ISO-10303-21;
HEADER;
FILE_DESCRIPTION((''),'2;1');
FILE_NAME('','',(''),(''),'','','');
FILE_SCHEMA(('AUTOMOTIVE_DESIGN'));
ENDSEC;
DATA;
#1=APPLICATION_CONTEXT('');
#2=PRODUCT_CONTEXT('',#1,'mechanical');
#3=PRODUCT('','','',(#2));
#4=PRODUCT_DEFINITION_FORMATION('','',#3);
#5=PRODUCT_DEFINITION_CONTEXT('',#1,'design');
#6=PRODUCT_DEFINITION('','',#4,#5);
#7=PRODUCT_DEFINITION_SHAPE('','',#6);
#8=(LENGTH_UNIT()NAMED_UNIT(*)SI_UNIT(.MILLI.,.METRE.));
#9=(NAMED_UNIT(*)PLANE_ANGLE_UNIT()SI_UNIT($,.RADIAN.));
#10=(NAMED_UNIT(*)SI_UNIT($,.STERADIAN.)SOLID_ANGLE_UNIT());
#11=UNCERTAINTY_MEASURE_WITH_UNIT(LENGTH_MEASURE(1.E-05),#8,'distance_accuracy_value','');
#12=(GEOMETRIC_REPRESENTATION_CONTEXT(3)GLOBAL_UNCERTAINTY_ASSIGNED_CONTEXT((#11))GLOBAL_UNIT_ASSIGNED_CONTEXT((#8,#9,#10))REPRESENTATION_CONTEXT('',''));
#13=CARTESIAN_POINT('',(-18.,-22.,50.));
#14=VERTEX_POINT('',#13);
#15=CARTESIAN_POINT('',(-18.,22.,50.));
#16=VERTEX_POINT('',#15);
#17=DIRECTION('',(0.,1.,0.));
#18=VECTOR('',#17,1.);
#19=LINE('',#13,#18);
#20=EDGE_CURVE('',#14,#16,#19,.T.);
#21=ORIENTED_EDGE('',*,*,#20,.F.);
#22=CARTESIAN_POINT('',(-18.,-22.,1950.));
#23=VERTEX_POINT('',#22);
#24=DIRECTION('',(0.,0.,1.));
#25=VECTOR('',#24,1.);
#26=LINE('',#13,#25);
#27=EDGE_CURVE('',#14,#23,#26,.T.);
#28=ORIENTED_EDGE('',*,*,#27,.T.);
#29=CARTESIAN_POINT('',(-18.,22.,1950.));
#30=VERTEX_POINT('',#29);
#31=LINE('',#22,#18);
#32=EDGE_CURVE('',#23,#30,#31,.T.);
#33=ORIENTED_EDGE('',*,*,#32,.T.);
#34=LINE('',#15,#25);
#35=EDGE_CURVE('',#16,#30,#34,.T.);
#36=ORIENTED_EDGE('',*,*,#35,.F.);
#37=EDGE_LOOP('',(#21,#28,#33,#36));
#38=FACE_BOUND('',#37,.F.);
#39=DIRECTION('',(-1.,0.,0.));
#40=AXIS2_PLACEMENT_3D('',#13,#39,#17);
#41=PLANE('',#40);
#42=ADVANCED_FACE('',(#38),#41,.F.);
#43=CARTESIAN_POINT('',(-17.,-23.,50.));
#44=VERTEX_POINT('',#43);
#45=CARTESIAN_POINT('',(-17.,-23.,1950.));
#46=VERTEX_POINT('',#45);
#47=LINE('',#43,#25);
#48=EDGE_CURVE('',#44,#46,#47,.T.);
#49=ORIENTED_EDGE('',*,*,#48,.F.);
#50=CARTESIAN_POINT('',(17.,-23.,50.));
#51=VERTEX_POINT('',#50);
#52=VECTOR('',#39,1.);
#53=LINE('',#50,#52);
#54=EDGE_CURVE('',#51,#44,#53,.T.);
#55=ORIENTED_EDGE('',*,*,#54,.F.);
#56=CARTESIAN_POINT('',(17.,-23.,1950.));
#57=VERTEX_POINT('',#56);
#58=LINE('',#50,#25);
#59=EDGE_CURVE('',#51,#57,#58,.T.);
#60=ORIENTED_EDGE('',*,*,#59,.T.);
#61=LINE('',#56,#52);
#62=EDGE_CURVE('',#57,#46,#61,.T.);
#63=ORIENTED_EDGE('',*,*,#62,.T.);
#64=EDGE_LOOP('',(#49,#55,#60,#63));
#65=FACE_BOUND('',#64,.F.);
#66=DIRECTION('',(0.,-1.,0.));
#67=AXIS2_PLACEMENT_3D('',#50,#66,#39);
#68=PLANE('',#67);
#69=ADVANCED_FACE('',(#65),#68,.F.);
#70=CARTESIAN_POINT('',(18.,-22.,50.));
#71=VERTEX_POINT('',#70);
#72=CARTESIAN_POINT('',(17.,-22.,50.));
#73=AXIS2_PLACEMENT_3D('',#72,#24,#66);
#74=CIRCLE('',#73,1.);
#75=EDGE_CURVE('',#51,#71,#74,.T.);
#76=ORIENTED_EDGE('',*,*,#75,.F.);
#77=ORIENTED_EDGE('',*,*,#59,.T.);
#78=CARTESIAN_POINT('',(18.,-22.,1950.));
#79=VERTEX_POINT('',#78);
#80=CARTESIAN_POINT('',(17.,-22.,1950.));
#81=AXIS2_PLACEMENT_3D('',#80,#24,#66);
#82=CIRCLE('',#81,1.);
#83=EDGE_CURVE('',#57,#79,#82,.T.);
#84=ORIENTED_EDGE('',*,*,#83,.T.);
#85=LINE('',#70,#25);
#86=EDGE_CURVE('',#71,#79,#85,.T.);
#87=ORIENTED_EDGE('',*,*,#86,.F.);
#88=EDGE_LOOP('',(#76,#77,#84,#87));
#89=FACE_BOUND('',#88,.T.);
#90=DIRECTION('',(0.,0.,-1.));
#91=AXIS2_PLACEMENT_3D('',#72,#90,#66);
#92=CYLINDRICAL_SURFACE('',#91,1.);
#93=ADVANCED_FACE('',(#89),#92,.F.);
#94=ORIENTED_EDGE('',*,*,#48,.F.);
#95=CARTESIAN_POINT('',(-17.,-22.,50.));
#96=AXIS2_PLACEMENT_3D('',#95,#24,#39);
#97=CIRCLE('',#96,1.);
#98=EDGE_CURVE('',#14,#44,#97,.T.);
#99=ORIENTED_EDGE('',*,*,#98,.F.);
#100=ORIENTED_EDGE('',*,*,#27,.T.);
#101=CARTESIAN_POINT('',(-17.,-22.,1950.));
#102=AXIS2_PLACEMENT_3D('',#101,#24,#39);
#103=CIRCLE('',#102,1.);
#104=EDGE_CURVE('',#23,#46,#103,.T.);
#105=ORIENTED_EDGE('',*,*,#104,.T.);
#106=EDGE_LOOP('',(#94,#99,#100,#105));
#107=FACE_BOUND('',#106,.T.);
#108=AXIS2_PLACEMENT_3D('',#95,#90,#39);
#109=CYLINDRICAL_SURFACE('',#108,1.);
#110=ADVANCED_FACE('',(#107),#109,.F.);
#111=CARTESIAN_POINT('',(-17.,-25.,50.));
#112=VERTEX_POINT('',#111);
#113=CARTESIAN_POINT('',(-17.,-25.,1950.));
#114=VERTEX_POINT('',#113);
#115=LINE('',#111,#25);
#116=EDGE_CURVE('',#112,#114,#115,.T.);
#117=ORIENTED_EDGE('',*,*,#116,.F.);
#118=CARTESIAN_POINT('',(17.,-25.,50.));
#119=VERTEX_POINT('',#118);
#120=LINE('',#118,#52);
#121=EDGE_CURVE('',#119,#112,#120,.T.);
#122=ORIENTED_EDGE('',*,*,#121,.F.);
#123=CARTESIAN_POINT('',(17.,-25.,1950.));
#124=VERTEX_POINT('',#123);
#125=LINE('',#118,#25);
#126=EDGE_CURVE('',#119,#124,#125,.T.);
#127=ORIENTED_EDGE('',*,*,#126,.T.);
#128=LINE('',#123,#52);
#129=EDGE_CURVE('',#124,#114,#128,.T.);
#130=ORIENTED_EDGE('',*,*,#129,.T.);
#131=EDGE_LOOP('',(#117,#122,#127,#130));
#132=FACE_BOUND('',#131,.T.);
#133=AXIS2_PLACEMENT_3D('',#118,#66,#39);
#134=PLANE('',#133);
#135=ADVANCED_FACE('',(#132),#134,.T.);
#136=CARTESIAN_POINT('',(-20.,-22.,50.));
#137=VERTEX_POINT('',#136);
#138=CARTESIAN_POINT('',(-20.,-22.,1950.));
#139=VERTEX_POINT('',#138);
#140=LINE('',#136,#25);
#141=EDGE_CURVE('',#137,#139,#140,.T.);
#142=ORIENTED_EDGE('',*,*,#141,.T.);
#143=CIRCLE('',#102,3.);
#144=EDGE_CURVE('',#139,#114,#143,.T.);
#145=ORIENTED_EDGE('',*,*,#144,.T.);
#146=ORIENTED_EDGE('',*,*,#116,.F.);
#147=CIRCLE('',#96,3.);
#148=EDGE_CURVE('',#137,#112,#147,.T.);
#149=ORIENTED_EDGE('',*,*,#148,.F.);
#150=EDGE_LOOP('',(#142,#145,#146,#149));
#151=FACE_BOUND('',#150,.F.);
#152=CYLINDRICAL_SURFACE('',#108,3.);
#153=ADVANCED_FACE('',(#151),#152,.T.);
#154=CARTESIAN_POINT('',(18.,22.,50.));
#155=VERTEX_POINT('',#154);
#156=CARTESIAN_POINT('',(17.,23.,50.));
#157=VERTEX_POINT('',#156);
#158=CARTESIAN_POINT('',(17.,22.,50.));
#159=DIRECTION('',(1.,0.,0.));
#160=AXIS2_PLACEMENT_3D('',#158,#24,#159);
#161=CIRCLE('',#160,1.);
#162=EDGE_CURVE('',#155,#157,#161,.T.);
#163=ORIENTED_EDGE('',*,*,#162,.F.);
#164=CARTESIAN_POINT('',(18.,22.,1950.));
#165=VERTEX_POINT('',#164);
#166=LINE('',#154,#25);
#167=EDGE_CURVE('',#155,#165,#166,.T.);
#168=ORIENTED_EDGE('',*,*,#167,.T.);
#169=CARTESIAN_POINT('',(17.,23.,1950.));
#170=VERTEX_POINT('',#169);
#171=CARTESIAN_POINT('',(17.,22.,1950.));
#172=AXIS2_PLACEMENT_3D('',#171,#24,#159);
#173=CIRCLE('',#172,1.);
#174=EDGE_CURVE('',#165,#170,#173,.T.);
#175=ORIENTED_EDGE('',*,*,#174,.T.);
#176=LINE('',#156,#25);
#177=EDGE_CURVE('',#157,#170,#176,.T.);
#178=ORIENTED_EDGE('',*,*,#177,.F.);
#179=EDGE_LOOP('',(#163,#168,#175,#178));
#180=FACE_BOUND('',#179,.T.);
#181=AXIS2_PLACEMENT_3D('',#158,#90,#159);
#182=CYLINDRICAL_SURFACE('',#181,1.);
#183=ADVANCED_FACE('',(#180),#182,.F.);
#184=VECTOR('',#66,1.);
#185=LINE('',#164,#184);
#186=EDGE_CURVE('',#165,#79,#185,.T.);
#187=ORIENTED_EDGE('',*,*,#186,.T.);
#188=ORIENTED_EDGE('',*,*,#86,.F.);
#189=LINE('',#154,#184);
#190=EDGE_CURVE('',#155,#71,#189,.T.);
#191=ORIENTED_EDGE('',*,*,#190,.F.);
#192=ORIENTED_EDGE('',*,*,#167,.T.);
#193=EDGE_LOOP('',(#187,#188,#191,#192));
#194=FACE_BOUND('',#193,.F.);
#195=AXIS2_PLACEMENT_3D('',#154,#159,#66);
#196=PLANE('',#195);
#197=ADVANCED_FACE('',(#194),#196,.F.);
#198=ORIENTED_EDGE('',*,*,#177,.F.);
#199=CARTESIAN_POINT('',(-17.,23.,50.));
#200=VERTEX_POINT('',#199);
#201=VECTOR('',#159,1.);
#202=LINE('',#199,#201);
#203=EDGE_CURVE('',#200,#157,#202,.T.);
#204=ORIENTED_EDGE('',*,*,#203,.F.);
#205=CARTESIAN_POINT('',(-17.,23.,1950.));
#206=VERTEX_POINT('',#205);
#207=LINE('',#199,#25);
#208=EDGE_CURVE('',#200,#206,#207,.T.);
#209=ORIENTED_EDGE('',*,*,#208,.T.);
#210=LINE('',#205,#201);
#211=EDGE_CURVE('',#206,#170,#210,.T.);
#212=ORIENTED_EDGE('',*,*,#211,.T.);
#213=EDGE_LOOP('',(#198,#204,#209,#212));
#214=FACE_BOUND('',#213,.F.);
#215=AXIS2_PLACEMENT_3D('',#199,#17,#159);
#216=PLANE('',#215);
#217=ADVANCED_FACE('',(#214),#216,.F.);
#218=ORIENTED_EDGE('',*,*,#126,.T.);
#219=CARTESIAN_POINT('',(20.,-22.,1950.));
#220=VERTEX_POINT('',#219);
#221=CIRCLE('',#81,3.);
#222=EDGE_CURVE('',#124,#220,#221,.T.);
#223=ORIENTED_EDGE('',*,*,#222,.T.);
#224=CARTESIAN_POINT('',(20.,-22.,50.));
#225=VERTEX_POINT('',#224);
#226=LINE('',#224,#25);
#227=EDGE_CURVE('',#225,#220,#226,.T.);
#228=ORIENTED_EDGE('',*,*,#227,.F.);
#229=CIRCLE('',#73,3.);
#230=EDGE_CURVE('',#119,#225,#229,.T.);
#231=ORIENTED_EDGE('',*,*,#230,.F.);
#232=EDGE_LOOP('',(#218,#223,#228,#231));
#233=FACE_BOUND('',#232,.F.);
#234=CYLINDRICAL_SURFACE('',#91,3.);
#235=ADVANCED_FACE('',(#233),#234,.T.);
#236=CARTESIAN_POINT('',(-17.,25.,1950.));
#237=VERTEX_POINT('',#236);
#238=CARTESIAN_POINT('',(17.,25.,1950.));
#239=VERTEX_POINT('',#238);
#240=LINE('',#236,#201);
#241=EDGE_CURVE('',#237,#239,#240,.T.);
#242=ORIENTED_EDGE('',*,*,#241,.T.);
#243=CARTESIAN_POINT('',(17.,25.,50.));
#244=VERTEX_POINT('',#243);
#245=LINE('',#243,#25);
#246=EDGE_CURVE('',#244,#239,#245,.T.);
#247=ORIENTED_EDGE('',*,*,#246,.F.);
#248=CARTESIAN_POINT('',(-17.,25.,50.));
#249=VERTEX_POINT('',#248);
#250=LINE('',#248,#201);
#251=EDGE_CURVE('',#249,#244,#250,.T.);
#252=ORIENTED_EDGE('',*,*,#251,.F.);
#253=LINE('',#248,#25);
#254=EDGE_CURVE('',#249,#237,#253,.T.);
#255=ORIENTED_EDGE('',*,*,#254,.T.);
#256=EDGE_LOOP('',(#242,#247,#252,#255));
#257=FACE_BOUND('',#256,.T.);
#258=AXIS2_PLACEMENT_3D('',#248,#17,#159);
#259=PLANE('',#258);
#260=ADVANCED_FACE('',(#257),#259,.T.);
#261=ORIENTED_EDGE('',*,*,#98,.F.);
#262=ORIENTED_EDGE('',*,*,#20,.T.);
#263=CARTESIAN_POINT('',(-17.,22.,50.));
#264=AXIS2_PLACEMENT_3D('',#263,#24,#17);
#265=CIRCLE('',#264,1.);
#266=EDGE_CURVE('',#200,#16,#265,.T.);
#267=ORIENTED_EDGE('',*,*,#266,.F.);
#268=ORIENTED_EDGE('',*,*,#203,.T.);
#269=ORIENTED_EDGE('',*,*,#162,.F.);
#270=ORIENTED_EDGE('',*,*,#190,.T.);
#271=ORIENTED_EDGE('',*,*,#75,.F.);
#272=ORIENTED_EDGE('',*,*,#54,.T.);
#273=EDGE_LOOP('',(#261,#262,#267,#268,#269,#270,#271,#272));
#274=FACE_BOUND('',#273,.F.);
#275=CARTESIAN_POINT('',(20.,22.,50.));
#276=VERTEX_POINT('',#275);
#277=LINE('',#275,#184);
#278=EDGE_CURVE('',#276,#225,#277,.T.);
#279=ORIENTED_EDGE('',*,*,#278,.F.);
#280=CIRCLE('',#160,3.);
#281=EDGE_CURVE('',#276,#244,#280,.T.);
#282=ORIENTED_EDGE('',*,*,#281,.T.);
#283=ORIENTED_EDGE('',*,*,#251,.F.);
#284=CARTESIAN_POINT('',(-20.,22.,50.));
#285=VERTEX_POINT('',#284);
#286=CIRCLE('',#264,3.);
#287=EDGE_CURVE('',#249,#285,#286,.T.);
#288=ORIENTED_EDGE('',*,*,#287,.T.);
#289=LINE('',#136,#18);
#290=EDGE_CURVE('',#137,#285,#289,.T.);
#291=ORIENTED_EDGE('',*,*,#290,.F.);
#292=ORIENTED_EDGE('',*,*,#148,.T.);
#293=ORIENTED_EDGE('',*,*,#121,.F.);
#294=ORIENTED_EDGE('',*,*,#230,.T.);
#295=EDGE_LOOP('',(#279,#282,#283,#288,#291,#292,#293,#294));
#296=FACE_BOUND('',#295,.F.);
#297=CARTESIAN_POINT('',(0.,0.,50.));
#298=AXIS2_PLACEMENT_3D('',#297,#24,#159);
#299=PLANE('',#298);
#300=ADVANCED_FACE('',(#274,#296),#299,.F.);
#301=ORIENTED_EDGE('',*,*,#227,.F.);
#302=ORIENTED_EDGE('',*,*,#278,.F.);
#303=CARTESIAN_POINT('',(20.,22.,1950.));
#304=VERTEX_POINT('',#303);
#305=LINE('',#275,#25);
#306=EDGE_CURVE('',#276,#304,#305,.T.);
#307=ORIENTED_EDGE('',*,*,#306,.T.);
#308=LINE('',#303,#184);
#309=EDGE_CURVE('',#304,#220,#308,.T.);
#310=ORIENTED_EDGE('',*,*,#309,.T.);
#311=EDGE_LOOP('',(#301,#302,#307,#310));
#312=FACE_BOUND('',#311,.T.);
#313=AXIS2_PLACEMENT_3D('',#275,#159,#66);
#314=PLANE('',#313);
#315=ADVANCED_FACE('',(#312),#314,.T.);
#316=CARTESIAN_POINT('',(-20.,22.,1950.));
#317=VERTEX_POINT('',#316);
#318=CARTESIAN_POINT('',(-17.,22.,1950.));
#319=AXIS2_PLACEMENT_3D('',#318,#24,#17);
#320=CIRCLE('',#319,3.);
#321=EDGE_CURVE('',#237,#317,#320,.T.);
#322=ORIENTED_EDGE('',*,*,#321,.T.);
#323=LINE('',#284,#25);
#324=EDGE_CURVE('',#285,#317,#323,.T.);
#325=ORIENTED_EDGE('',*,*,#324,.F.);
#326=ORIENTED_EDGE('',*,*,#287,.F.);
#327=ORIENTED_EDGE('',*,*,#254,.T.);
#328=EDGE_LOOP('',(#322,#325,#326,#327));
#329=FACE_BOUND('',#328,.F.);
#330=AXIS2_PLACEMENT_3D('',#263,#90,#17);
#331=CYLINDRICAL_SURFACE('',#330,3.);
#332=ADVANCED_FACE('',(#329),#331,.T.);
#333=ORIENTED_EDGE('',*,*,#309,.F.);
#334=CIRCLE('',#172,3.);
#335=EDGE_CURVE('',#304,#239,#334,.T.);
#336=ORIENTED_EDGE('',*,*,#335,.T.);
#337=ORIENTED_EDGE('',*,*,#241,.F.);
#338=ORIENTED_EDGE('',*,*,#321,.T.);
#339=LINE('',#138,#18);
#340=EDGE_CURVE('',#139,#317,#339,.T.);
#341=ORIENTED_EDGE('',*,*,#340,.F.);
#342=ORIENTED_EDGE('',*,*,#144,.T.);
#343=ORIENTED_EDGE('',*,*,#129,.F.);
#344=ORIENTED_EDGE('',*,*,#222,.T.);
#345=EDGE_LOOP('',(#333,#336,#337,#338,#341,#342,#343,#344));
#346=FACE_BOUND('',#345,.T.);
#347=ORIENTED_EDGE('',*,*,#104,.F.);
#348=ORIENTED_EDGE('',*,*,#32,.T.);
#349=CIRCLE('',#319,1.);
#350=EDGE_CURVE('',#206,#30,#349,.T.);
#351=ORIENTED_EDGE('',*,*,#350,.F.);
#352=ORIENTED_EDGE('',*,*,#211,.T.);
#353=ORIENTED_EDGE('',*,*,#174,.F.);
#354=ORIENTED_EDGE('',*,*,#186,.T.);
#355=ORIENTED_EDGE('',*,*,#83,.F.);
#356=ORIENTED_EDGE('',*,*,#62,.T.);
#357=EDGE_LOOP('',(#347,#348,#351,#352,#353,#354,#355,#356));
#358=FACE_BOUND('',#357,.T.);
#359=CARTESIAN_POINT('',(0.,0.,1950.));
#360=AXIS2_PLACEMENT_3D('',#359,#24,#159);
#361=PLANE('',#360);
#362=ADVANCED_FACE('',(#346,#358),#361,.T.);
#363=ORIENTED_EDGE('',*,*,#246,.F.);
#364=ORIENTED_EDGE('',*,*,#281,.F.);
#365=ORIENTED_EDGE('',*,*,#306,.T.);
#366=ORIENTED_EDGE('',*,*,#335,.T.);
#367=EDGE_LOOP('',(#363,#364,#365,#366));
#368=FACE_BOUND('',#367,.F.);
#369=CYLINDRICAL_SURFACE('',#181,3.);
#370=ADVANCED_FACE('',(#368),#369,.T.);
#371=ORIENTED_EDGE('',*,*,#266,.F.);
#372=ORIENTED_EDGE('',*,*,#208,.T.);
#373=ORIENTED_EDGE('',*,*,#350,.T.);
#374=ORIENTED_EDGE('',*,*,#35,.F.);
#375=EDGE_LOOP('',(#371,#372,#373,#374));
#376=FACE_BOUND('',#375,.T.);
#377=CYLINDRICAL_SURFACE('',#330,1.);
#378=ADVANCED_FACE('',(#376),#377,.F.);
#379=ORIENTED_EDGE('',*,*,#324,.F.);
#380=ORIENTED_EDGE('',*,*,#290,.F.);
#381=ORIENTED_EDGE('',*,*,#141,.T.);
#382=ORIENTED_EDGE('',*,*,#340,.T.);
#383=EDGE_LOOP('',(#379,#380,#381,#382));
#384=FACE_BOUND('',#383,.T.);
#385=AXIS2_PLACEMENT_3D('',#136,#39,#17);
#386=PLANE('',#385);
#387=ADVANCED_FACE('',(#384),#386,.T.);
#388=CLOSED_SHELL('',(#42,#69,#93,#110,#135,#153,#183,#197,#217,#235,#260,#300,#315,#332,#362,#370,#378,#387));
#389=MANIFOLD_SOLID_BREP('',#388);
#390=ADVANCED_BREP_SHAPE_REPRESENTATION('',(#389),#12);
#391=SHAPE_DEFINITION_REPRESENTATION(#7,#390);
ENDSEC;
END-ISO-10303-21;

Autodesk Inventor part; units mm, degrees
ref_plane "Start plane" through (0, 0, 50) normal (0, 0, 1) x (1, 0, 0)
ref_plane "End plane" through (0, 0, 1950) normal (0, 0, 1) x (1, 0, 0)
sketch "Sketch" plane through (0, 0, 0) normal (0, 0, 1) x (1, 0, 0)
  line L0 (-20, -22) -> (-20, 22)
  line L1 (-17, 25) -> (17, 25)
  line L2 (20, 22) -> (20, -22)
  line L3 (17, -25) -> (-17, -25)
  arc A0 (-20, -22) -> (-17, -25) centre (-17, -22) ccw
  arc A1 (-17, 25) -> (-20, 22) centre (-17, 22) ccw
  arc A2 (20, 22) -> (17, 25) centre (17, 22) ccw
  arc A3 (17, -25) -> (20, -22) centre (17, -22) ccw
  arc A4 (-17, 23) -> (-18, 22) centre (-17, 22) ccw
  line L4 (-17, 23) -> (17, 23)
  arc A5 (18, 22) -> (17, 23) centre (17, 22) ccw
  line L5 (18, 22) -> (18, -22)
  arc A6 (17, -23) -> (18, -22) centre (17, -22) ccw
  line L6 (17, -23) -> (-17, -23)
  arc A7 (-18, -22) -> (-17, -23) centre (-17, -22) ccw
  line L7 (-18, -22) -> (-18, 22)
  line L8 (0, 35.8698) -> (0, -35.8698) construction
  line L9 (-28.8698, 0) -> (28.8698, 0) construction
  dimension "d7" = 3
  dimension "d10" = 50
  dimension "d11" = 40
  dimension "d12" = 2
  dimension "d15" = 25
  dimension "d16" = 20
extrude "Body" add sketch "Sketch" along normal up to surface (1900 mm away) from surface at 50
sketch "Sketch3" plane through (0, 0, 0) normal (0, 0, 1) x (1, 0, 0)
  line L0 (0, 0) -> (10, 0)
ref_plane "Work Plane3" through (0, 0, 0) normal (0, -1, 0) x (1, 0, 0)
sketch "Sketch4" plane through (0, 0, 0) normal (0, -1, 0) x (1, 0, 0)
  line L0 (-2, 50) -> (12, 50)
  line L1 (-2, 1950) -> (12, 1950)
  dimension "d18" = 1900
ref_plane "Work Plane4" through (17, -315, 50) normal (0, 0, -1) x (-1, 0, 0)
split "Split1" plane through (17, -315, 50) removes the side toward (0, 0, -1)
ref_plane "Work Plane5" through (-17, -315, 1950) normal (0, 0, 1) x (1, 0, 0)
split "Split2" plane through (-17, -315, 1950) removes the side toward (0, 0, 1)
equation "\"d7\" = G_IR"
equation "\"d10\" = G_H"
equation "\"d11\" = G_W"
equation "\"d12\" = G_T"
equation "\"d15\" = 0.5 * d10"
equation "\"d16\" = 0.5 * d11"
equation "\"d3\" = G_L"
equation "\"G_W\" = 40"
equation "\"G_H\" = 50"
equation "\"G_T\" = 2"
equation "\"G_IR\" = 3"
equation "\"G_L\" = d18"
equation "\"G_OFFSET_START\" = -50"
equation "\"G_OFFSET_END\" = -50"
equation "\"d13\" = -G_OFFSET_START"
equation "\"d14\" = G_OFFSET_END + B_L"
equation "\"B_L\" = 2000"
properties part number "UNI EN 10305-5 - 50 x 40 x 2  - 1900" material "Steel, Mild"
